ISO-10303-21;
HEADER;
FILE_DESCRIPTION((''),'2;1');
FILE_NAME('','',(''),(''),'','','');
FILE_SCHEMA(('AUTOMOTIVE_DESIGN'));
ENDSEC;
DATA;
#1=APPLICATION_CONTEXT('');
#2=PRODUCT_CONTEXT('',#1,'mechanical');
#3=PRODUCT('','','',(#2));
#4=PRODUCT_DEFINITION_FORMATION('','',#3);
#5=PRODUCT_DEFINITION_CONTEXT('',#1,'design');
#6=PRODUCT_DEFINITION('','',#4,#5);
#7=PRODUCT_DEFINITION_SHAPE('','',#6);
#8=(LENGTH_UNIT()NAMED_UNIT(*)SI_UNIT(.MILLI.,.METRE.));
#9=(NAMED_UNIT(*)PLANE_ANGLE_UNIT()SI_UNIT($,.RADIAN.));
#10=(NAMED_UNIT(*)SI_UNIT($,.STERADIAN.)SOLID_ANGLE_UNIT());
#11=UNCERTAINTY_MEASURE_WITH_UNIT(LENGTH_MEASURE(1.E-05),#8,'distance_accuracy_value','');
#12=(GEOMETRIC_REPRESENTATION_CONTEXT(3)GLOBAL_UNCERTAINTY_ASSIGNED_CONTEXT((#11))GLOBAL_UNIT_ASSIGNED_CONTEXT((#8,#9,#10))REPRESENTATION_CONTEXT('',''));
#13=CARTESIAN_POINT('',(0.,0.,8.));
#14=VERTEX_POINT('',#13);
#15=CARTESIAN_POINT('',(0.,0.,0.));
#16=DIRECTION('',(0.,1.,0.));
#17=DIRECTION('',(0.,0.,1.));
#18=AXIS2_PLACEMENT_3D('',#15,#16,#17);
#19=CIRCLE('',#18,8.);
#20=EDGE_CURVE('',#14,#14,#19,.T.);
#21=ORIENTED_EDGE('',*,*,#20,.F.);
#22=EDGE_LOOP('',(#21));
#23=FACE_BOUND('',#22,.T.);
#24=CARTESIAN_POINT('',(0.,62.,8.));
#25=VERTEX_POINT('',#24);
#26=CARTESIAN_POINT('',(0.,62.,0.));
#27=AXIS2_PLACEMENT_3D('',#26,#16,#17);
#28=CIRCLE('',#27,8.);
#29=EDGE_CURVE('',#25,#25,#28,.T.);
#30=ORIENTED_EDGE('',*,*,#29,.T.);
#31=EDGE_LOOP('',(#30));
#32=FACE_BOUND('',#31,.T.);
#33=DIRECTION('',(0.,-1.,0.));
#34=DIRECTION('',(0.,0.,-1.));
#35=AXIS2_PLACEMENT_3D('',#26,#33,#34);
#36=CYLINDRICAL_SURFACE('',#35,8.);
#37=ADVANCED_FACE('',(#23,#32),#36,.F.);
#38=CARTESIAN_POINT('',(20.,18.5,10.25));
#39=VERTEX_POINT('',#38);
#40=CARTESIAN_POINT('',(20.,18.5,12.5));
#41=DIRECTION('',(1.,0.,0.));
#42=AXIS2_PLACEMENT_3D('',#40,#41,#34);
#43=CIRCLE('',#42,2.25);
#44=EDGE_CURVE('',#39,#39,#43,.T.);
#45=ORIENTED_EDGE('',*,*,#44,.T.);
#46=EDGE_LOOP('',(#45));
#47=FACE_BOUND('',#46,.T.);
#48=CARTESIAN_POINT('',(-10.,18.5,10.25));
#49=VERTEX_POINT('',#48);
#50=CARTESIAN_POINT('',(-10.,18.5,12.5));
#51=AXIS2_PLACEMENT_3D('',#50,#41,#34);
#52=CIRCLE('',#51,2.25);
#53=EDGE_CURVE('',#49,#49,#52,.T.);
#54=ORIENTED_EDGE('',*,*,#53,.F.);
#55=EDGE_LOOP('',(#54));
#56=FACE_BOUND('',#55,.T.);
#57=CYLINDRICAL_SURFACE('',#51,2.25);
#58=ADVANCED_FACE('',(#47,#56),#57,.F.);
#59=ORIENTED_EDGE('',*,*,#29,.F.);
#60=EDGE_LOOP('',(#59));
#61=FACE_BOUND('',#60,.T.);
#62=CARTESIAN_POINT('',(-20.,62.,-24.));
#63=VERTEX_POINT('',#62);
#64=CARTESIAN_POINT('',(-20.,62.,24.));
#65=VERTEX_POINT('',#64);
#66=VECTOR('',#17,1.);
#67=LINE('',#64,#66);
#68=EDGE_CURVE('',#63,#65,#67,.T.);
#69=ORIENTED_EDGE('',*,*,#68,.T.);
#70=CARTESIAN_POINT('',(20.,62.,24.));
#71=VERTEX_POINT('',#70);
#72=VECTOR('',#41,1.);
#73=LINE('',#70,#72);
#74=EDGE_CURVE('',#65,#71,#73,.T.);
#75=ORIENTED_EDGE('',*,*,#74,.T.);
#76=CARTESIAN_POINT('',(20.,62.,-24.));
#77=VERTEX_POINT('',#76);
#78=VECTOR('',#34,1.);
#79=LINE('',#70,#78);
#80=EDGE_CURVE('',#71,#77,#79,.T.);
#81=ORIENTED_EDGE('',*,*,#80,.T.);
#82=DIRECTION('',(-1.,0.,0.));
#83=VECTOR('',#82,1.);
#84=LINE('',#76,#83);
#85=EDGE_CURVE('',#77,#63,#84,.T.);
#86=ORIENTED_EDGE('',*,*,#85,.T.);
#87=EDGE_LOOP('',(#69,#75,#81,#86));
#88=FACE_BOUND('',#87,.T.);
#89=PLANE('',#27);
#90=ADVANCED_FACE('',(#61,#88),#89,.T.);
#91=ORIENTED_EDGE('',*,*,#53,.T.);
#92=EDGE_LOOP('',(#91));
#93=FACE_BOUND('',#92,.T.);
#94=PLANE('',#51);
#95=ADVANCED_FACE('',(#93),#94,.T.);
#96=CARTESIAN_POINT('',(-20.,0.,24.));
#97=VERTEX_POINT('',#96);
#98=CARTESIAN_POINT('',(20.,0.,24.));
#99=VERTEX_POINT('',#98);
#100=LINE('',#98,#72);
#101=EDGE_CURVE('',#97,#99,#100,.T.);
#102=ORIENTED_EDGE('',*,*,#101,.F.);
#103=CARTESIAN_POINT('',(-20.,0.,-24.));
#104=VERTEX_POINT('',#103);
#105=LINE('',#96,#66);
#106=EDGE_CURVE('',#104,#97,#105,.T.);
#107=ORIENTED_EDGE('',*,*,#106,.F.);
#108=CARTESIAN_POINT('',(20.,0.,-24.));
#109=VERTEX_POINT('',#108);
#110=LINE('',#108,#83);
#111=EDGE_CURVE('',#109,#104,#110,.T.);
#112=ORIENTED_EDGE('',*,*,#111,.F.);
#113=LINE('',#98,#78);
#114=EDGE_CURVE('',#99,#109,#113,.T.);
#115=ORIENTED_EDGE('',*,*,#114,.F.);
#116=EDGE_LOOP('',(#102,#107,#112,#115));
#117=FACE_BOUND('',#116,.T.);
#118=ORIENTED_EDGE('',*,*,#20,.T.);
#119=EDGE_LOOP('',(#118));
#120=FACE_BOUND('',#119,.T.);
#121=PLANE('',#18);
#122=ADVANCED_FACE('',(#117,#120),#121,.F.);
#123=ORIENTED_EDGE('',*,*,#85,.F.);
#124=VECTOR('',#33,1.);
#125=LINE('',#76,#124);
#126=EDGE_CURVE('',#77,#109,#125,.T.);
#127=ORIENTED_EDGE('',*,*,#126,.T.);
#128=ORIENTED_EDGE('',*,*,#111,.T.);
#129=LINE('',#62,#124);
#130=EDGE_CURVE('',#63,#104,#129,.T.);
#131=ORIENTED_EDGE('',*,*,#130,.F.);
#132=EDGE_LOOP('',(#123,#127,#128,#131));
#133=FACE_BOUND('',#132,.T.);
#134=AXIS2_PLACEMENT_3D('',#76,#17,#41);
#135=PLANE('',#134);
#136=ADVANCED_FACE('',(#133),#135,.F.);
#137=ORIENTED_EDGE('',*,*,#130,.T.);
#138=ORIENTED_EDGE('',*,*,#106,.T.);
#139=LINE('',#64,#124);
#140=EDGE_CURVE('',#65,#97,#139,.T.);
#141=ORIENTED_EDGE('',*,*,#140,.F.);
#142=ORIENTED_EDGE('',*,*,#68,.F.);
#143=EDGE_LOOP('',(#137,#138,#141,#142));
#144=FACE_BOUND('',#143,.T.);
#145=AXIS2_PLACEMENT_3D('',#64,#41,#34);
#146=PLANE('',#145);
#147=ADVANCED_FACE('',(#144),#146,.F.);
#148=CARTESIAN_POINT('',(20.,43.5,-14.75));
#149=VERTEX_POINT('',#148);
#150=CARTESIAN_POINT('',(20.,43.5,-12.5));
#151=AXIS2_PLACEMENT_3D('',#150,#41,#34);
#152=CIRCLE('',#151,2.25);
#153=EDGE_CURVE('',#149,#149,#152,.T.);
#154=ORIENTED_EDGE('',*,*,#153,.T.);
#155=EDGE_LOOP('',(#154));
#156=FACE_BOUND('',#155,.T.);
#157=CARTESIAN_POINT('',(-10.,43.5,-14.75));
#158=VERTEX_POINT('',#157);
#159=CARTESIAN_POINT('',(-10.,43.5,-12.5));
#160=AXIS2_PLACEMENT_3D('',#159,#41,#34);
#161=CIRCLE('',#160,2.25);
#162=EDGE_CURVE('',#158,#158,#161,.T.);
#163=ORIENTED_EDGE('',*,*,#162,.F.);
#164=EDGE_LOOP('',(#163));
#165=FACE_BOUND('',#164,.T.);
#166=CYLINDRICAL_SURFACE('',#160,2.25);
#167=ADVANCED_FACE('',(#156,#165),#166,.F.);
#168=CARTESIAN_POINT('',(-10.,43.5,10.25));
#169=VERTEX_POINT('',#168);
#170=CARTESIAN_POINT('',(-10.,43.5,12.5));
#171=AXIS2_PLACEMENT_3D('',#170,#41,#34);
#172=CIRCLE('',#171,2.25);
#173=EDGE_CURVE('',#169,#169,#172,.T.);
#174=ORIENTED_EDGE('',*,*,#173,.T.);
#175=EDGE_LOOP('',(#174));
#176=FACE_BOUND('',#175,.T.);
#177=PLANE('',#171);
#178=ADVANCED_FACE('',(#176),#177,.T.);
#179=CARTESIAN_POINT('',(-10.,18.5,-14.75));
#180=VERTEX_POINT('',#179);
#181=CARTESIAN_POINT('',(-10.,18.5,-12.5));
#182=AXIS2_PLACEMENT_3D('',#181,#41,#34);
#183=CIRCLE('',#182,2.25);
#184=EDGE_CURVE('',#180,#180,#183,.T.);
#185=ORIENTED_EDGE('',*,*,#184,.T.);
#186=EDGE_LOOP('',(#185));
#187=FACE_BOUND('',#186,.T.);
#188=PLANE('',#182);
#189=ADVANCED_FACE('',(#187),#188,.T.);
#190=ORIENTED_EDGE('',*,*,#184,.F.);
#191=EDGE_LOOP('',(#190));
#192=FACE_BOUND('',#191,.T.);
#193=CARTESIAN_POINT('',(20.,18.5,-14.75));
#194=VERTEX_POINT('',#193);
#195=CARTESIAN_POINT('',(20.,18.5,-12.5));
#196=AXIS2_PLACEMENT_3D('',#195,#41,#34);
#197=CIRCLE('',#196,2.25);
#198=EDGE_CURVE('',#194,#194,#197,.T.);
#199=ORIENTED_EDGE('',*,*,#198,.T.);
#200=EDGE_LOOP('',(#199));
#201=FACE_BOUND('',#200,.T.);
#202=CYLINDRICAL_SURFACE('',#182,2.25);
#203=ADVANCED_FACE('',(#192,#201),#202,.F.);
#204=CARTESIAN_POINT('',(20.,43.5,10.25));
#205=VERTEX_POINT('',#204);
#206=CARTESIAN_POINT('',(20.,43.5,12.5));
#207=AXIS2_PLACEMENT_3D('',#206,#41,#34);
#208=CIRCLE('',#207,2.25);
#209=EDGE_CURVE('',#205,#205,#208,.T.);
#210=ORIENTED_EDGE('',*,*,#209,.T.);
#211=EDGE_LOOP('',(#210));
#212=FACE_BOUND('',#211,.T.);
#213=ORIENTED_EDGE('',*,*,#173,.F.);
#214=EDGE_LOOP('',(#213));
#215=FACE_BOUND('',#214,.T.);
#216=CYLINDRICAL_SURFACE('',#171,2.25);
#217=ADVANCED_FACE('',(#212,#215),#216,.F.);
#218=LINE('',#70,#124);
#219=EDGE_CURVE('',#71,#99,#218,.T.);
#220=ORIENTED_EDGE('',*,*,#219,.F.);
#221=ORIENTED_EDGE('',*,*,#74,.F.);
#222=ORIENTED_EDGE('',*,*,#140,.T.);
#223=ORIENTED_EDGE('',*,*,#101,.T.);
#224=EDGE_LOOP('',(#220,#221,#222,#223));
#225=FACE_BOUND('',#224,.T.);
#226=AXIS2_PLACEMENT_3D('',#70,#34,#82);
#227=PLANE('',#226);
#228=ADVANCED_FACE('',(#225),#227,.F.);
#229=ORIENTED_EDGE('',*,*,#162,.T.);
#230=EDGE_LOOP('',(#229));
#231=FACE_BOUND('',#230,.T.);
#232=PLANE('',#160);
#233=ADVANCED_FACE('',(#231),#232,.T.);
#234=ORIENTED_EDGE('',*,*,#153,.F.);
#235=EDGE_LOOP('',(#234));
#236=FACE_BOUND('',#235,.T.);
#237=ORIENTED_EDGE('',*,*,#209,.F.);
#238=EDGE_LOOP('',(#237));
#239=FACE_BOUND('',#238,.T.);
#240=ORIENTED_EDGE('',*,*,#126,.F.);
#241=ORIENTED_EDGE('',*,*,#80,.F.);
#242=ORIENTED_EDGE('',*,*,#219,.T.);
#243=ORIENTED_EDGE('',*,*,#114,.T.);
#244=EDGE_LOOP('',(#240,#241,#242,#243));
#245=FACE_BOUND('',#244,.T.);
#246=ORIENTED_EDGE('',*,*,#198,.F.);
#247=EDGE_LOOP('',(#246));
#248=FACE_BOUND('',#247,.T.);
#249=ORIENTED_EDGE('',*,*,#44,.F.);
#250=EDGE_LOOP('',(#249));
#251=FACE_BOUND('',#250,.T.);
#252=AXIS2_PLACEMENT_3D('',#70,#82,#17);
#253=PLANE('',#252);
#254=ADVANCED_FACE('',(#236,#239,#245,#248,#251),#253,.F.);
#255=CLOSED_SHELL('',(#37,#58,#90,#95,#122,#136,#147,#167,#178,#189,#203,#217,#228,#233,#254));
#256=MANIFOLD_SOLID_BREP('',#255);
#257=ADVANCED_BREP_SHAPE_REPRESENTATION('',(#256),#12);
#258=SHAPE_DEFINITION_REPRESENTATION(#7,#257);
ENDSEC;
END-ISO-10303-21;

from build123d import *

# Parameters (mm, degrees)
CROQUIS1_W              = 40
CROQUIS1_H              = 48
CROQUIS1_R              = 8
SALIENTE_EXTRUIR1_DEPTH = 62
CROQUIS2_R              = 2.25
CORTAR_EXTRUIR1_DEPTH   = 30


with BuildPart() as part:
    # Croquis1 → Saliente-Extruir1 (new body)
    with BuildSketch(Plane(origin=(0, 0, 0), x_dir=(1, 0, 0), z_dir=(0, 1, 0))):
        Rectangle(CROQUIS1_W, CROQUIS1_H)
        with Locations(Location((0, 0, 0), (0, 0, 270))):
            Circle(CROQUIS1_R, mode=Mode.SUBTRACT)
    extrude(amount=SALIENTE_EXTRUIR1_DEPTH)

    # Croquis2 → Cortar-Extruir1 (cut)
    with BuildSketch(Plane(origin=(20, 0, 0), x_dir=(0, 0, -1), z_dir=(1, 0, 0))):
        with Locations((-12.5, 43.5)):
            Circle(CROQUIS2_R)
        with Locations((12.5, 43.5)):
            Circle(CROQUIS2_R)
        with Locations((-12.5, 18.5)):
            Circle(CROQUIS2_R)
        with Locations((12.5, 18.5)):
            Circle(CROQUIS2_R)
    extrude(amount=-CORTAR_EXTRUIR1_DEPTH, mode=Mode.SUBTRACT)


solid = part.part
